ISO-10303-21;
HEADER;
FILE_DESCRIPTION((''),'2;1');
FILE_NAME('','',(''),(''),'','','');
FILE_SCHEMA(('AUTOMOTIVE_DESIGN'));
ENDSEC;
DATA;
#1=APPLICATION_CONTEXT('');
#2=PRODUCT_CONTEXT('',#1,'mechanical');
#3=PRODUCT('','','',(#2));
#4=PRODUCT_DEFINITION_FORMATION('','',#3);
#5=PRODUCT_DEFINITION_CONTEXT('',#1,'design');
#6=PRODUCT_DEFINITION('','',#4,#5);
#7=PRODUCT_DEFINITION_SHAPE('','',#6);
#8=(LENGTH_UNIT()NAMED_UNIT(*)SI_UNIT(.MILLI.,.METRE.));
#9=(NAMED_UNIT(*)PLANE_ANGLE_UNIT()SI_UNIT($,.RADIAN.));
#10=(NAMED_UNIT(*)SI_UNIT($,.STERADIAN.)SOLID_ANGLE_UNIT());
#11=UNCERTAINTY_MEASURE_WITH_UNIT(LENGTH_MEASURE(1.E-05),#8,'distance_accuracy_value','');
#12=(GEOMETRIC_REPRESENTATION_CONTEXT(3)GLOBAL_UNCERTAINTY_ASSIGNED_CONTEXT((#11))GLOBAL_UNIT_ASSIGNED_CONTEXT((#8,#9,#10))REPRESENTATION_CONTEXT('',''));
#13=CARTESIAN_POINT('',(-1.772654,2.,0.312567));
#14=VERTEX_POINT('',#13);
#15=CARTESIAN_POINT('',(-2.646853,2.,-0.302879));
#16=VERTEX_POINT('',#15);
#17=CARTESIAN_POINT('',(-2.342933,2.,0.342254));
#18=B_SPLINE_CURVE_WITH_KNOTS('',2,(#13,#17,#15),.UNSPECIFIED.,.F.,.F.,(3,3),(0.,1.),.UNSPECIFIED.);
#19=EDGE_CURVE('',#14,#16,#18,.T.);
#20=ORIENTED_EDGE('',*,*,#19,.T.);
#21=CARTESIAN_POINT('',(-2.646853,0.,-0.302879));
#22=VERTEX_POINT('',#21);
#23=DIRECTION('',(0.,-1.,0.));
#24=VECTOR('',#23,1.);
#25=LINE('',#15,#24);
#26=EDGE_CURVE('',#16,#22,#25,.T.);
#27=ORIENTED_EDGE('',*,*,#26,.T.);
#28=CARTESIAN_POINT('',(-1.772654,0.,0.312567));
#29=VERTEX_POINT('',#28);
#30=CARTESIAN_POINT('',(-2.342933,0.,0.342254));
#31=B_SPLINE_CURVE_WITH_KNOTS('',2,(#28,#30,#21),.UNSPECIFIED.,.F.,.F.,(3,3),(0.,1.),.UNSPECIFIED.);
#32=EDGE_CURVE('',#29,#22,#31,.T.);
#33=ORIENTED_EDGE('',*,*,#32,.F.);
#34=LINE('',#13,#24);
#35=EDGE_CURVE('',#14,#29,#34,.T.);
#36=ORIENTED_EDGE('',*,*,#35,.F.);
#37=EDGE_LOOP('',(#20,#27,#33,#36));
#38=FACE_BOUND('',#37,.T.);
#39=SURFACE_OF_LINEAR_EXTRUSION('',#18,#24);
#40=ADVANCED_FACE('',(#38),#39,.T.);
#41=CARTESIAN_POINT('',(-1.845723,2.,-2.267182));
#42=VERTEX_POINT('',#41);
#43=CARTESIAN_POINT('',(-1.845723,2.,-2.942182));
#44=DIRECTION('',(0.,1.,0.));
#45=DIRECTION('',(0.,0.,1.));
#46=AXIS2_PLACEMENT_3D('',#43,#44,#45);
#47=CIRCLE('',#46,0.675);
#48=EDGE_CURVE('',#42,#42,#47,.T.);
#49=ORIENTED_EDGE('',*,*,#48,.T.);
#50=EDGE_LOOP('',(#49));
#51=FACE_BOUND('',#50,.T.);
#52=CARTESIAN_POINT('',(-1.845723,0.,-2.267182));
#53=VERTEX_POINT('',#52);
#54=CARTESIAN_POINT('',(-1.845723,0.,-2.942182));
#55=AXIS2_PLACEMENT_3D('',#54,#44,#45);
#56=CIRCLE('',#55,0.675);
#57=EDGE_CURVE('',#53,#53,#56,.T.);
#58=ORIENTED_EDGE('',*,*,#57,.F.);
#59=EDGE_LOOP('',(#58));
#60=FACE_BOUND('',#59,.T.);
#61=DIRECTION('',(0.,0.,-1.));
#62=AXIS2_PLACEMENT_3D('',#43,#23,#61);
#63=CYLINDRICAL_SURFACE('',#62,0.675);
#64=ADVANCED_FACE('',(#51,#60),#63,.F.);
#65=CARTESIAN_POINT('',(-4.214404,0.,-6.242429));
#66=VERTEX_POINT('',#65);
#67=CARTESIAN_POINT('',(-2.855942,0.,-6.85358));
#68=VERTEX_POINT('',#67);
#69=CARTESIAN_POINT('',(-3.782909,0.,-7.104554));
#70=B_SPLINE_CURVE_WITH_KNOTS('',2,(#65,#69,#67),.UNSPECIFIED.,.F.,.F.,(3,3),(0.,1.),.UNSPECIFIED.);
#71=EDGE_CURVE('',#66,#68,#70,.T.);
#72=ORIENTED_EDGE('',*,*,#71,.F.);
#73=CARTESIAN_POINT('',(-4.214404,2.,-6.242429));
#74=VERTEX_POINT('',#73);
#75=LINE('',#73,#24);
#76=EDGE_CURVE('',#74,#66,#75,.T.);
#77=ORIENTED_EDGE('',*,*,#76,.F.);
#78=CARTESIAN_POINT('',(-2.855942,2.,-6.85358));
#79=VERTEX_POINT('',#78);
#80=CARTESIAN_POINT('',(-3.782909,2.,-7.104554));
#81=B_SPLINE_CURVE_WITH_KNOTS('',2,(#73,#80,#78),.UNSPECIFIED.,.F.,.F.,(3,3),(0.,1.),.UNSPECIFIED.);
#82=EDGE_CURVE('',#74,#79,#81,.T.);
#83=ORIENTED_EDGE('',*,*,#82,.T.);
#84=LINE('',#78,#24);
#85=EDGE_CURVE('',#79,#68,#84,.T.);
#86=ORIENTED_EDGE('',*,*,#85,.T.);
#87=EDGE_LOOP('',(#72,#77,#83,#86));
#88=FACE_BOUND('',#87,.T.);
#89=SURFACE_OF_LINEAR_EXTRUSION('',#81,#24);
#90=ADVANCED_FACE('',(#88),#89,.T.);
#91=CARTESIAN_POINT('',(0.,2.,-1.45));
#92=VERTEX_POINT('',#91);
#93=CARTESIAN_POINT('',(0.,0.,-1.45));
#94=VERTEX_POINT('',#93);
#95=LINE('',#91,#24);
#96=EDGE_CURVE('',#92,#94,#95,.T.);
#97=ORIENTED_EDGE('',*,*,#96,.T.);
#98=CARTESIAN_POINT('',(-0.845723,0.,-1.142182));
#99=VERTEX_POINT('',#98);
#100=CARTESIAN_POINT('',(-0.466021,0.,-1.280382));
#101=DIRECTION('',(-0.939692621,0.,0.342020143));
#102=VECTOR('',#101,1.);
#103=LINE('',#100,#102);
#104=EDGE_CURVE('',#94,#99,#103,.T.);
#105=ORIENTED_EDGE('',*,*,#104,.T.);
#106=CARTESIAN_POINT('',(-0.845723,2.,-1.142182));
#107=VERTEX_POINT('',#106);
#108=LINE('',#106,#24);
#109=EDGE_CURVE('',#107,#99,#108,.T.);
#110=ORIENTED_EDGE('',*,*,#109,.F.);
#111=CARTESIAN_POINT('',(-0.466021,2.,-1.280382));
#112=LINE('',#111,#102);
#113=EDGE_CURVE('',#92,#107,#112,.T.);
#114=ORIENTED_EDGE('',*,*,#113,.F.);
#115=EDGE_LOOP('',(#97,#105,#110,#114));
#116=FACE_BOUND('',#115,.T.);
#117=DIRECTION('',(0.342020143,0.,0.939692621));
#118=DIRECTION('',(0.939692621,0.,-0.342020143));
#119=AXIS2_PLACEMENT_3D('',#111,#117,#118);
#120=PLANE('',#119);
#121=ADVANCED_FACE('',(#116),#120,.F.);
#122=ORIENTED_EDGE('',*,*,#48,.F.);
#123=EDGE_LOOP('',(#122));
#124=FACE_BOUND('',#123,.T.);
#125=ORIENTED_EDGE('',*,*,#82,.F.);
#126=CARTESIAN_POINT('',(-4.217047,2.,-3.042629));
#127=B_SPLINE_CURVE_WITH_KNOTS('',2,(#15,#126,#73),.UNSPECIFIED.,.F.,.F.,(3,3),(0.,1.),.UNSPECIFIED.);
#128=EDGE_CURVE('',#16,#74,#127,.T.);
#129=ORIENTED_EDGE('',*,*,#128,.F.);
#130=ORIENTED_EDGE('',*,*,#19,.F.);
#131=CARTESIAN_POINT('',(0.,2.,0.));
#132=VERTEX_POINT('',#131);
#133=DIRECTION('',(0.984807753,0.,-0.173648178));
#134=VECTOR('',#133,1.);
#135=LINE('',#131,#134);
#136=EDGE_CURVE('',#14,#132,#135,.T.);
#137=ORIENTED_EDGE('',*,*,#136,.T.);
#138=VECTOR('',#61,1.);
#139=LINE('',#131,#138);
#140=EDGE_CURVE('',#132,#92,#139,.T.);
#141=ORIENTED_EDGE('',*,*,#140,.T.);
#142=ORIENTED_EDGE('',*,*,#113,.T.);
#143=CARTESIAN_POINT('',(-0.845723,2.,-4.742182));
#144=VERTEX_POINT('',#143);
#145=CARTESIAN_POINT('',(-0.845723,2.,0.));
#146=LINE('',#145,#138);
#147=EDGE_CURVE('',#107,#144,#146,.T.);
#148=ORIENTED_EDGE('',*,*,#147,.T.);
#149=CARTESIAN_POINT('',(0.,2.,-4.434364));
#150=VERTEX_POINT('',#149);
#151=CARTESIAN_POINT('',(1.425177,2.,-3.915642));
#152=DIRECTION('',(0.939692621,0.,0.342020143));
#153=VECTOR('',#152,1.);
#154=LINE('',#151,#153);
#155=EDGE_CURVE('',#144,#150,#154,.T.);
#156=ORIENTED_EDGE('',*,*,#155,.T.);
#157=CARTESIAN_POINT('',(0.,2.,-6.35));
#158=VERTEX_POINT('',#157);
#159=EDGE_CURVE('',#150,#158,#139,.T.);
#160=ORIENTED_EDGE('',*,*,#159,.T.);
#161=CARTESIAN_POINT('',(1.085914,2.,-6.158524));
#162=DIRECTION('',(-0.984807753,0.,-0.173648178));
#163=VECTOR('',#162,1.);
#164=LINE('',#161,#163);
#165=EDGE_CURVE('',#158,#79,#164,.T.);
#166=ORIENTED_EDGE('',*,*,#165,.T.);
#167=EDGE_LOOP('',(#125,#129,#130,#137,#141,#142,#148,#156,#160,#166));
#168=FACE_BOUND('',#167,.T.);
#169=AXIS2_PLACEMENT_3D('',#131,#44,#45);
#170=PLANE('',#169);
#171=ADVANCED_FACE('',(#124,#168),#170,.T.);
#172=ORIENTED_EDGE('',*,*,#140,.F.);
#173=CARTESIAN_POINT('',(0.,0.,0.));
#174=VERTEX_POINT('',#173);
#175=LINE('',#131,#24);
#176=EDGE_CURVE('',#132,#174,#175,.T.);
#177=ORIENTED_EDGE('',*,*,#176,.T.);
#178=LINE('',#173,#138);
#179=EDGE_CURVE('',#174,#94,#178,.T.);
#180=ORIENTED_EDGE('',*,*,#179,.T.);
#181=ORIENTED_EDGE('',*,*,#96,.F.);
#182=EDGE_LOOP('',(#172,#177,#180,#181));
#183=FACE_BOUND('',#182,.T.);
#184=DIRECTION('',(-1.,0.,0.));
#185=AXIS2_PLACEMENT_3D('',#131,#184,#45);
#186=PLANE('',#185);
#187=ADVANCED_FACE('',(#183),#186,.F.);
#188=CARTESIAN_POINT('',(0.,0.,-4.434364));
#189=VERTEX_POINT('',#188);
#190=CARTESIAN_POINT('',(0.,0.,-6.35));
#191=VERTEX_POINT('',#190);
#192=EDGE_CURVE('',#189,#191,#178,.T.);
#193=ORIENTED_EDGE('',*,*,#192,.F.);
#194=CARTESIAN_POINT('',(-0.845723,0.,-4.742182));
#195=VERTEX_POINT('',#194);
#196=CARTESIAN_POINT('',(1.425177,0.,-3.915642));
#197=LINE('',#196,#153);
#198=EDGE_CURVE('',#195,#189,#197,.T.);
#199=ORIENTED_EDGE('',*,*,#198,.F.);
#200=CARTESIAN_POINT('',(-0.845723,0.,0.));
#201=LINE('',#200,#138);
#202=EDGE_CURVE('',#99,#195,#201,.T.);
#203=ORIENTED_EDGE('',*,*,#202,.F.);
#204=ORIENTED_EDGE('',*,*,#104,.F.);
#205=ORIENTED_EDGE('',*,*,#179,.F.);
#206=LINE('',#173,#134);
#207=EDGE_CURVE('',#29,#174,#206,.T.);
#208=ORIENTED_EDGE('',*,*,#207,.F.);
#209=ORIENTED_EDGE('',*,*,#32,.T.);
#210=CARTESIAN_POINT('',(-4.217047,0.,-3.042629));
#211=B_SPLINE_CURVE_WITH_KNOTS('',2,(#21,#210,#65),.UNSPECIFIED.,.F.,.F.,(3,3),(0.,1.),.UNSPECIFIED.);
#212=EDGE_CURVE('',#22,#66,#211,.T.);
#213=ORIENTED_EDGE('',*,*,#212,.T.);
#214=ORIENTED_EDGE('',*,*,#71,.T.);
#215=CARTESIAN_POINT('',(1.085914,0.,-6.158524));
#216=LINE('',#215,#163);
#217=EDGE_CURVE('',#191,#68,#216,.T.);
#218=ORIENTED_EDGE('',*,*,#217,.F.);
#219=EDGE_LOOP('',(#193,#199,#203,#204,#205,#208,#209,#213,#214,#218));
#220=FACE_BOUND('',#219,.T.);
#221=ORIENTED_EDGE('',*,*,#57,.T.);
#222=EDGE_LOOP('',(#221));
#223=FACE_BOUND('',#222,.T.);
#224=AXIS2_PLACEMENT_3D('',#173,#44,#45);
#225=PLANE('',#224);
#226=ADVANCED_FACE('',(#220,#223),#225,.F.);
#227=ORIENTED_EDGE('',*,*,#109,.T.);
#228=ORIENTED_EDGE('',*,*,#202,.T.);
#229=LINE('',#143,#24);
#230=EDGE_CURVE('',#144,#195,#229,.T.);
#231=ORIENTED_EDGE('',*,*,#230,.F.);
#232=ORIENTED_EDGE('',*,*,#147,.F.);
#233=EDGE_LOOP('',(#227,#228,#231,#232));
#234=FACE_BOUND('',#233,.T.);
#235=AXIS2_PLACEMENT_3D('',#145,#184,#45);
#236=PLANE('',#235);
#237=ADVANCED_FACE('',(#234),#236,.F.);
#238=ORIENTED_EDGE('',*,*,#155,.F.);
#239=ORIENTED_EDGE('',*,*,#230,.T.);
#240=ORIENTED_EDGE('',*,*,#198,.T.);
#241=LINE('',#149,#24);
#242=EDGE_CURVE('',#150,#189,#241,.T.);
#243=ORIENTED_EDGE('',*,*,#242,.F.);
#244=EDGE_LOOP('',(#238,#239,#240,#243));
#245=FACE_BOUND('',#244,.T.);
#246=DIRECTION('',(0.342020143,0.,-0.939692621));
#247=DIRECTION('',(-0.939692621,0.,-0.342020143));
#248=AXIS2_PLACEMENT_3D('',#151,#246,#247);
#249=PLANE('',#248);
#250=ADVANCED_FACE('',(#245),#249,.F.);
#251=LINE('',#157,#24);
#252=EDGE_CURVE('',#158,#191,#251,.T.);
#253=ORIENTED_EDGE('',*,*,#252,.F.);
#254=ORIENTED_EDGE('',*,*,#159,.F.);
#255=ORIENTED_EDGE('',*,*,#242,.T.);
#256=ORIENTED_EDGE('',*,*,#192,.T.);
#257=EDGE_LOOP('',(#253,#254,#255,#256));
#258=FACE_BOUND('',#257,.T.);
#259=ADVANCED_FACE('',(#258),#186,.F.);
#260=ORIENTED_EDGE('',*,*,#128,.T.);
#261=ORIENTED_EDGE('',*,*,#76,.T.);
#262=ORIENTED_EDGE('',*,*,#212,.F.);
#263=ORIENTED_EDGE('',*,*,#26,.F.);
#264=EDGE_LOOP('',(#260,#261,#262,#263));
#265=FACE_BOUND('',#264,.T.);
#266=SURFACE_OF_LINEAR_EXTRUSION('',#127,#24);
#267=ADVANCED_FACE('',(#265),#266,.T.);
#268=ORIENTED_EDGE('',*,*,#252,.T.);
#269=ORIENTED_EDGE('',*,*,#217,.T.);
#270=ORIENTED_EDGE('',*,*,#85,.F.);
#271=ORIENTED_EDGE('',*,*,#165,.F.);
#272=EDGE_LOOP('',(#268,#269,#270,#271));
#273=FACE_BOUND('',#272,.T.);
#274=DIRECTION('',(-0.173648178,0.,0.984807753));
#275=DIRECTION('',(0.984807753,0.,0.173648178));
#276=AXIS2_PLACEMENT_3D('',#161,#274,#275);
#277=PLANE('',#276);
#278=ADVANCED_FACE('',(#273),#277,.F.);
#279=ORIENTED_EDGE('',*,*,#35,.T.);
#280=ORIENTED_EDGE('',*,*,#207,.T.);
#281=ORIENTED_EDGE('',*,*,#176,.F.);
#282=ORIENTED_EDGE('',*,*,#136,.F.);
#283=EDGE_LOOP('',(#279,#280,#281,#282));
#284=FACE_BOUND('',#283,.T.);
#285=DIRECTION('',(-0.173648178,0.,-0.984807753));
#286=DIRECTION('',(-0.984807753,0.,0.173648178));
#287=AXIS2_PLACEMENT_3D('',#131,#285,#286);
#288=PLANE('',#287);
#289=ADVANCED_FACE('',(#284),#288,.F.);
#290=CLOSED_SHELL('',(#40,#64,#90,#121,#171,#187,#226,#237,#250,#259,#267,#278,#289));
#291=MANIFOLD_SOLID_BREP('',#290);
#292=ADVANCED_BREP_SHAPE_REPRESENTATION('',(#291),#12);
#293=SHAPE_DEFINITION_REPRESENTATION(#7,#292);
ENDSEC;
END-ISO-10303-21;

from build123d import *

# Parameters (mm, degrees)
SKETCH1_R           = 0.675
BOSS_EXTRUDE1_DEPTH = 2


with BuildPart() as part:
    # Sketch1 → Boss-Extrude1 (new body)
    with BuildSketch(Plane(origin=(0, 0, 0), x_dir=(1, 0, 0), z_dir=(0, 1, 0))):
        with BuildLine():
            Line((-1.772653955, -0.31256672), (0, 0))
            Line((0, 0), (0, 1.45))
            Line((0, 1.45), (-0.845723359, 1.142181871))
            Line((-0.845723359, 1.142181871), (-0.845723359, 4.742181871))
            Line((-0.845723359, 4.742181871), (0, 4.434363742))
            Line((0, 4.434363742), (0, 6.35))
            Line((0, 6.35), (-2.855942484, 6.853579715))
            add(Edge.make_bspline(
                [(-4.214404462, 6.242429297), (-3.782908861, 7.104554386), (-2.855942484, 6.853579715)],
                knots=[0, 0, 0, 1, 1, 1], degree=2))
            add(Edge.make_bspline(
                [(-2.646853101, 0.302878761), (-4.217046525, 3.042629381), (-4.214404462, 6.242429297)],
                knots=[0, 0, 0, 1, 1, 1], degree=2))
            add(Edge.make_bspline(
                [(-1.772653955, -0.31256672), (-2.342932983, -0.342253748), (-2.646853101, 0.302878761)],
                knots=[0, 0, 0, 1, 1, 1], degree=2))
        make_face()
        with Locations((-1.845723359, 2.942181871)):
            Circle(SKETCH1_R, mode=Mode.SUBTRACT)
    extrude(amount=BOSS_EXTRUDE1_DEPTH)


solid = part.part
